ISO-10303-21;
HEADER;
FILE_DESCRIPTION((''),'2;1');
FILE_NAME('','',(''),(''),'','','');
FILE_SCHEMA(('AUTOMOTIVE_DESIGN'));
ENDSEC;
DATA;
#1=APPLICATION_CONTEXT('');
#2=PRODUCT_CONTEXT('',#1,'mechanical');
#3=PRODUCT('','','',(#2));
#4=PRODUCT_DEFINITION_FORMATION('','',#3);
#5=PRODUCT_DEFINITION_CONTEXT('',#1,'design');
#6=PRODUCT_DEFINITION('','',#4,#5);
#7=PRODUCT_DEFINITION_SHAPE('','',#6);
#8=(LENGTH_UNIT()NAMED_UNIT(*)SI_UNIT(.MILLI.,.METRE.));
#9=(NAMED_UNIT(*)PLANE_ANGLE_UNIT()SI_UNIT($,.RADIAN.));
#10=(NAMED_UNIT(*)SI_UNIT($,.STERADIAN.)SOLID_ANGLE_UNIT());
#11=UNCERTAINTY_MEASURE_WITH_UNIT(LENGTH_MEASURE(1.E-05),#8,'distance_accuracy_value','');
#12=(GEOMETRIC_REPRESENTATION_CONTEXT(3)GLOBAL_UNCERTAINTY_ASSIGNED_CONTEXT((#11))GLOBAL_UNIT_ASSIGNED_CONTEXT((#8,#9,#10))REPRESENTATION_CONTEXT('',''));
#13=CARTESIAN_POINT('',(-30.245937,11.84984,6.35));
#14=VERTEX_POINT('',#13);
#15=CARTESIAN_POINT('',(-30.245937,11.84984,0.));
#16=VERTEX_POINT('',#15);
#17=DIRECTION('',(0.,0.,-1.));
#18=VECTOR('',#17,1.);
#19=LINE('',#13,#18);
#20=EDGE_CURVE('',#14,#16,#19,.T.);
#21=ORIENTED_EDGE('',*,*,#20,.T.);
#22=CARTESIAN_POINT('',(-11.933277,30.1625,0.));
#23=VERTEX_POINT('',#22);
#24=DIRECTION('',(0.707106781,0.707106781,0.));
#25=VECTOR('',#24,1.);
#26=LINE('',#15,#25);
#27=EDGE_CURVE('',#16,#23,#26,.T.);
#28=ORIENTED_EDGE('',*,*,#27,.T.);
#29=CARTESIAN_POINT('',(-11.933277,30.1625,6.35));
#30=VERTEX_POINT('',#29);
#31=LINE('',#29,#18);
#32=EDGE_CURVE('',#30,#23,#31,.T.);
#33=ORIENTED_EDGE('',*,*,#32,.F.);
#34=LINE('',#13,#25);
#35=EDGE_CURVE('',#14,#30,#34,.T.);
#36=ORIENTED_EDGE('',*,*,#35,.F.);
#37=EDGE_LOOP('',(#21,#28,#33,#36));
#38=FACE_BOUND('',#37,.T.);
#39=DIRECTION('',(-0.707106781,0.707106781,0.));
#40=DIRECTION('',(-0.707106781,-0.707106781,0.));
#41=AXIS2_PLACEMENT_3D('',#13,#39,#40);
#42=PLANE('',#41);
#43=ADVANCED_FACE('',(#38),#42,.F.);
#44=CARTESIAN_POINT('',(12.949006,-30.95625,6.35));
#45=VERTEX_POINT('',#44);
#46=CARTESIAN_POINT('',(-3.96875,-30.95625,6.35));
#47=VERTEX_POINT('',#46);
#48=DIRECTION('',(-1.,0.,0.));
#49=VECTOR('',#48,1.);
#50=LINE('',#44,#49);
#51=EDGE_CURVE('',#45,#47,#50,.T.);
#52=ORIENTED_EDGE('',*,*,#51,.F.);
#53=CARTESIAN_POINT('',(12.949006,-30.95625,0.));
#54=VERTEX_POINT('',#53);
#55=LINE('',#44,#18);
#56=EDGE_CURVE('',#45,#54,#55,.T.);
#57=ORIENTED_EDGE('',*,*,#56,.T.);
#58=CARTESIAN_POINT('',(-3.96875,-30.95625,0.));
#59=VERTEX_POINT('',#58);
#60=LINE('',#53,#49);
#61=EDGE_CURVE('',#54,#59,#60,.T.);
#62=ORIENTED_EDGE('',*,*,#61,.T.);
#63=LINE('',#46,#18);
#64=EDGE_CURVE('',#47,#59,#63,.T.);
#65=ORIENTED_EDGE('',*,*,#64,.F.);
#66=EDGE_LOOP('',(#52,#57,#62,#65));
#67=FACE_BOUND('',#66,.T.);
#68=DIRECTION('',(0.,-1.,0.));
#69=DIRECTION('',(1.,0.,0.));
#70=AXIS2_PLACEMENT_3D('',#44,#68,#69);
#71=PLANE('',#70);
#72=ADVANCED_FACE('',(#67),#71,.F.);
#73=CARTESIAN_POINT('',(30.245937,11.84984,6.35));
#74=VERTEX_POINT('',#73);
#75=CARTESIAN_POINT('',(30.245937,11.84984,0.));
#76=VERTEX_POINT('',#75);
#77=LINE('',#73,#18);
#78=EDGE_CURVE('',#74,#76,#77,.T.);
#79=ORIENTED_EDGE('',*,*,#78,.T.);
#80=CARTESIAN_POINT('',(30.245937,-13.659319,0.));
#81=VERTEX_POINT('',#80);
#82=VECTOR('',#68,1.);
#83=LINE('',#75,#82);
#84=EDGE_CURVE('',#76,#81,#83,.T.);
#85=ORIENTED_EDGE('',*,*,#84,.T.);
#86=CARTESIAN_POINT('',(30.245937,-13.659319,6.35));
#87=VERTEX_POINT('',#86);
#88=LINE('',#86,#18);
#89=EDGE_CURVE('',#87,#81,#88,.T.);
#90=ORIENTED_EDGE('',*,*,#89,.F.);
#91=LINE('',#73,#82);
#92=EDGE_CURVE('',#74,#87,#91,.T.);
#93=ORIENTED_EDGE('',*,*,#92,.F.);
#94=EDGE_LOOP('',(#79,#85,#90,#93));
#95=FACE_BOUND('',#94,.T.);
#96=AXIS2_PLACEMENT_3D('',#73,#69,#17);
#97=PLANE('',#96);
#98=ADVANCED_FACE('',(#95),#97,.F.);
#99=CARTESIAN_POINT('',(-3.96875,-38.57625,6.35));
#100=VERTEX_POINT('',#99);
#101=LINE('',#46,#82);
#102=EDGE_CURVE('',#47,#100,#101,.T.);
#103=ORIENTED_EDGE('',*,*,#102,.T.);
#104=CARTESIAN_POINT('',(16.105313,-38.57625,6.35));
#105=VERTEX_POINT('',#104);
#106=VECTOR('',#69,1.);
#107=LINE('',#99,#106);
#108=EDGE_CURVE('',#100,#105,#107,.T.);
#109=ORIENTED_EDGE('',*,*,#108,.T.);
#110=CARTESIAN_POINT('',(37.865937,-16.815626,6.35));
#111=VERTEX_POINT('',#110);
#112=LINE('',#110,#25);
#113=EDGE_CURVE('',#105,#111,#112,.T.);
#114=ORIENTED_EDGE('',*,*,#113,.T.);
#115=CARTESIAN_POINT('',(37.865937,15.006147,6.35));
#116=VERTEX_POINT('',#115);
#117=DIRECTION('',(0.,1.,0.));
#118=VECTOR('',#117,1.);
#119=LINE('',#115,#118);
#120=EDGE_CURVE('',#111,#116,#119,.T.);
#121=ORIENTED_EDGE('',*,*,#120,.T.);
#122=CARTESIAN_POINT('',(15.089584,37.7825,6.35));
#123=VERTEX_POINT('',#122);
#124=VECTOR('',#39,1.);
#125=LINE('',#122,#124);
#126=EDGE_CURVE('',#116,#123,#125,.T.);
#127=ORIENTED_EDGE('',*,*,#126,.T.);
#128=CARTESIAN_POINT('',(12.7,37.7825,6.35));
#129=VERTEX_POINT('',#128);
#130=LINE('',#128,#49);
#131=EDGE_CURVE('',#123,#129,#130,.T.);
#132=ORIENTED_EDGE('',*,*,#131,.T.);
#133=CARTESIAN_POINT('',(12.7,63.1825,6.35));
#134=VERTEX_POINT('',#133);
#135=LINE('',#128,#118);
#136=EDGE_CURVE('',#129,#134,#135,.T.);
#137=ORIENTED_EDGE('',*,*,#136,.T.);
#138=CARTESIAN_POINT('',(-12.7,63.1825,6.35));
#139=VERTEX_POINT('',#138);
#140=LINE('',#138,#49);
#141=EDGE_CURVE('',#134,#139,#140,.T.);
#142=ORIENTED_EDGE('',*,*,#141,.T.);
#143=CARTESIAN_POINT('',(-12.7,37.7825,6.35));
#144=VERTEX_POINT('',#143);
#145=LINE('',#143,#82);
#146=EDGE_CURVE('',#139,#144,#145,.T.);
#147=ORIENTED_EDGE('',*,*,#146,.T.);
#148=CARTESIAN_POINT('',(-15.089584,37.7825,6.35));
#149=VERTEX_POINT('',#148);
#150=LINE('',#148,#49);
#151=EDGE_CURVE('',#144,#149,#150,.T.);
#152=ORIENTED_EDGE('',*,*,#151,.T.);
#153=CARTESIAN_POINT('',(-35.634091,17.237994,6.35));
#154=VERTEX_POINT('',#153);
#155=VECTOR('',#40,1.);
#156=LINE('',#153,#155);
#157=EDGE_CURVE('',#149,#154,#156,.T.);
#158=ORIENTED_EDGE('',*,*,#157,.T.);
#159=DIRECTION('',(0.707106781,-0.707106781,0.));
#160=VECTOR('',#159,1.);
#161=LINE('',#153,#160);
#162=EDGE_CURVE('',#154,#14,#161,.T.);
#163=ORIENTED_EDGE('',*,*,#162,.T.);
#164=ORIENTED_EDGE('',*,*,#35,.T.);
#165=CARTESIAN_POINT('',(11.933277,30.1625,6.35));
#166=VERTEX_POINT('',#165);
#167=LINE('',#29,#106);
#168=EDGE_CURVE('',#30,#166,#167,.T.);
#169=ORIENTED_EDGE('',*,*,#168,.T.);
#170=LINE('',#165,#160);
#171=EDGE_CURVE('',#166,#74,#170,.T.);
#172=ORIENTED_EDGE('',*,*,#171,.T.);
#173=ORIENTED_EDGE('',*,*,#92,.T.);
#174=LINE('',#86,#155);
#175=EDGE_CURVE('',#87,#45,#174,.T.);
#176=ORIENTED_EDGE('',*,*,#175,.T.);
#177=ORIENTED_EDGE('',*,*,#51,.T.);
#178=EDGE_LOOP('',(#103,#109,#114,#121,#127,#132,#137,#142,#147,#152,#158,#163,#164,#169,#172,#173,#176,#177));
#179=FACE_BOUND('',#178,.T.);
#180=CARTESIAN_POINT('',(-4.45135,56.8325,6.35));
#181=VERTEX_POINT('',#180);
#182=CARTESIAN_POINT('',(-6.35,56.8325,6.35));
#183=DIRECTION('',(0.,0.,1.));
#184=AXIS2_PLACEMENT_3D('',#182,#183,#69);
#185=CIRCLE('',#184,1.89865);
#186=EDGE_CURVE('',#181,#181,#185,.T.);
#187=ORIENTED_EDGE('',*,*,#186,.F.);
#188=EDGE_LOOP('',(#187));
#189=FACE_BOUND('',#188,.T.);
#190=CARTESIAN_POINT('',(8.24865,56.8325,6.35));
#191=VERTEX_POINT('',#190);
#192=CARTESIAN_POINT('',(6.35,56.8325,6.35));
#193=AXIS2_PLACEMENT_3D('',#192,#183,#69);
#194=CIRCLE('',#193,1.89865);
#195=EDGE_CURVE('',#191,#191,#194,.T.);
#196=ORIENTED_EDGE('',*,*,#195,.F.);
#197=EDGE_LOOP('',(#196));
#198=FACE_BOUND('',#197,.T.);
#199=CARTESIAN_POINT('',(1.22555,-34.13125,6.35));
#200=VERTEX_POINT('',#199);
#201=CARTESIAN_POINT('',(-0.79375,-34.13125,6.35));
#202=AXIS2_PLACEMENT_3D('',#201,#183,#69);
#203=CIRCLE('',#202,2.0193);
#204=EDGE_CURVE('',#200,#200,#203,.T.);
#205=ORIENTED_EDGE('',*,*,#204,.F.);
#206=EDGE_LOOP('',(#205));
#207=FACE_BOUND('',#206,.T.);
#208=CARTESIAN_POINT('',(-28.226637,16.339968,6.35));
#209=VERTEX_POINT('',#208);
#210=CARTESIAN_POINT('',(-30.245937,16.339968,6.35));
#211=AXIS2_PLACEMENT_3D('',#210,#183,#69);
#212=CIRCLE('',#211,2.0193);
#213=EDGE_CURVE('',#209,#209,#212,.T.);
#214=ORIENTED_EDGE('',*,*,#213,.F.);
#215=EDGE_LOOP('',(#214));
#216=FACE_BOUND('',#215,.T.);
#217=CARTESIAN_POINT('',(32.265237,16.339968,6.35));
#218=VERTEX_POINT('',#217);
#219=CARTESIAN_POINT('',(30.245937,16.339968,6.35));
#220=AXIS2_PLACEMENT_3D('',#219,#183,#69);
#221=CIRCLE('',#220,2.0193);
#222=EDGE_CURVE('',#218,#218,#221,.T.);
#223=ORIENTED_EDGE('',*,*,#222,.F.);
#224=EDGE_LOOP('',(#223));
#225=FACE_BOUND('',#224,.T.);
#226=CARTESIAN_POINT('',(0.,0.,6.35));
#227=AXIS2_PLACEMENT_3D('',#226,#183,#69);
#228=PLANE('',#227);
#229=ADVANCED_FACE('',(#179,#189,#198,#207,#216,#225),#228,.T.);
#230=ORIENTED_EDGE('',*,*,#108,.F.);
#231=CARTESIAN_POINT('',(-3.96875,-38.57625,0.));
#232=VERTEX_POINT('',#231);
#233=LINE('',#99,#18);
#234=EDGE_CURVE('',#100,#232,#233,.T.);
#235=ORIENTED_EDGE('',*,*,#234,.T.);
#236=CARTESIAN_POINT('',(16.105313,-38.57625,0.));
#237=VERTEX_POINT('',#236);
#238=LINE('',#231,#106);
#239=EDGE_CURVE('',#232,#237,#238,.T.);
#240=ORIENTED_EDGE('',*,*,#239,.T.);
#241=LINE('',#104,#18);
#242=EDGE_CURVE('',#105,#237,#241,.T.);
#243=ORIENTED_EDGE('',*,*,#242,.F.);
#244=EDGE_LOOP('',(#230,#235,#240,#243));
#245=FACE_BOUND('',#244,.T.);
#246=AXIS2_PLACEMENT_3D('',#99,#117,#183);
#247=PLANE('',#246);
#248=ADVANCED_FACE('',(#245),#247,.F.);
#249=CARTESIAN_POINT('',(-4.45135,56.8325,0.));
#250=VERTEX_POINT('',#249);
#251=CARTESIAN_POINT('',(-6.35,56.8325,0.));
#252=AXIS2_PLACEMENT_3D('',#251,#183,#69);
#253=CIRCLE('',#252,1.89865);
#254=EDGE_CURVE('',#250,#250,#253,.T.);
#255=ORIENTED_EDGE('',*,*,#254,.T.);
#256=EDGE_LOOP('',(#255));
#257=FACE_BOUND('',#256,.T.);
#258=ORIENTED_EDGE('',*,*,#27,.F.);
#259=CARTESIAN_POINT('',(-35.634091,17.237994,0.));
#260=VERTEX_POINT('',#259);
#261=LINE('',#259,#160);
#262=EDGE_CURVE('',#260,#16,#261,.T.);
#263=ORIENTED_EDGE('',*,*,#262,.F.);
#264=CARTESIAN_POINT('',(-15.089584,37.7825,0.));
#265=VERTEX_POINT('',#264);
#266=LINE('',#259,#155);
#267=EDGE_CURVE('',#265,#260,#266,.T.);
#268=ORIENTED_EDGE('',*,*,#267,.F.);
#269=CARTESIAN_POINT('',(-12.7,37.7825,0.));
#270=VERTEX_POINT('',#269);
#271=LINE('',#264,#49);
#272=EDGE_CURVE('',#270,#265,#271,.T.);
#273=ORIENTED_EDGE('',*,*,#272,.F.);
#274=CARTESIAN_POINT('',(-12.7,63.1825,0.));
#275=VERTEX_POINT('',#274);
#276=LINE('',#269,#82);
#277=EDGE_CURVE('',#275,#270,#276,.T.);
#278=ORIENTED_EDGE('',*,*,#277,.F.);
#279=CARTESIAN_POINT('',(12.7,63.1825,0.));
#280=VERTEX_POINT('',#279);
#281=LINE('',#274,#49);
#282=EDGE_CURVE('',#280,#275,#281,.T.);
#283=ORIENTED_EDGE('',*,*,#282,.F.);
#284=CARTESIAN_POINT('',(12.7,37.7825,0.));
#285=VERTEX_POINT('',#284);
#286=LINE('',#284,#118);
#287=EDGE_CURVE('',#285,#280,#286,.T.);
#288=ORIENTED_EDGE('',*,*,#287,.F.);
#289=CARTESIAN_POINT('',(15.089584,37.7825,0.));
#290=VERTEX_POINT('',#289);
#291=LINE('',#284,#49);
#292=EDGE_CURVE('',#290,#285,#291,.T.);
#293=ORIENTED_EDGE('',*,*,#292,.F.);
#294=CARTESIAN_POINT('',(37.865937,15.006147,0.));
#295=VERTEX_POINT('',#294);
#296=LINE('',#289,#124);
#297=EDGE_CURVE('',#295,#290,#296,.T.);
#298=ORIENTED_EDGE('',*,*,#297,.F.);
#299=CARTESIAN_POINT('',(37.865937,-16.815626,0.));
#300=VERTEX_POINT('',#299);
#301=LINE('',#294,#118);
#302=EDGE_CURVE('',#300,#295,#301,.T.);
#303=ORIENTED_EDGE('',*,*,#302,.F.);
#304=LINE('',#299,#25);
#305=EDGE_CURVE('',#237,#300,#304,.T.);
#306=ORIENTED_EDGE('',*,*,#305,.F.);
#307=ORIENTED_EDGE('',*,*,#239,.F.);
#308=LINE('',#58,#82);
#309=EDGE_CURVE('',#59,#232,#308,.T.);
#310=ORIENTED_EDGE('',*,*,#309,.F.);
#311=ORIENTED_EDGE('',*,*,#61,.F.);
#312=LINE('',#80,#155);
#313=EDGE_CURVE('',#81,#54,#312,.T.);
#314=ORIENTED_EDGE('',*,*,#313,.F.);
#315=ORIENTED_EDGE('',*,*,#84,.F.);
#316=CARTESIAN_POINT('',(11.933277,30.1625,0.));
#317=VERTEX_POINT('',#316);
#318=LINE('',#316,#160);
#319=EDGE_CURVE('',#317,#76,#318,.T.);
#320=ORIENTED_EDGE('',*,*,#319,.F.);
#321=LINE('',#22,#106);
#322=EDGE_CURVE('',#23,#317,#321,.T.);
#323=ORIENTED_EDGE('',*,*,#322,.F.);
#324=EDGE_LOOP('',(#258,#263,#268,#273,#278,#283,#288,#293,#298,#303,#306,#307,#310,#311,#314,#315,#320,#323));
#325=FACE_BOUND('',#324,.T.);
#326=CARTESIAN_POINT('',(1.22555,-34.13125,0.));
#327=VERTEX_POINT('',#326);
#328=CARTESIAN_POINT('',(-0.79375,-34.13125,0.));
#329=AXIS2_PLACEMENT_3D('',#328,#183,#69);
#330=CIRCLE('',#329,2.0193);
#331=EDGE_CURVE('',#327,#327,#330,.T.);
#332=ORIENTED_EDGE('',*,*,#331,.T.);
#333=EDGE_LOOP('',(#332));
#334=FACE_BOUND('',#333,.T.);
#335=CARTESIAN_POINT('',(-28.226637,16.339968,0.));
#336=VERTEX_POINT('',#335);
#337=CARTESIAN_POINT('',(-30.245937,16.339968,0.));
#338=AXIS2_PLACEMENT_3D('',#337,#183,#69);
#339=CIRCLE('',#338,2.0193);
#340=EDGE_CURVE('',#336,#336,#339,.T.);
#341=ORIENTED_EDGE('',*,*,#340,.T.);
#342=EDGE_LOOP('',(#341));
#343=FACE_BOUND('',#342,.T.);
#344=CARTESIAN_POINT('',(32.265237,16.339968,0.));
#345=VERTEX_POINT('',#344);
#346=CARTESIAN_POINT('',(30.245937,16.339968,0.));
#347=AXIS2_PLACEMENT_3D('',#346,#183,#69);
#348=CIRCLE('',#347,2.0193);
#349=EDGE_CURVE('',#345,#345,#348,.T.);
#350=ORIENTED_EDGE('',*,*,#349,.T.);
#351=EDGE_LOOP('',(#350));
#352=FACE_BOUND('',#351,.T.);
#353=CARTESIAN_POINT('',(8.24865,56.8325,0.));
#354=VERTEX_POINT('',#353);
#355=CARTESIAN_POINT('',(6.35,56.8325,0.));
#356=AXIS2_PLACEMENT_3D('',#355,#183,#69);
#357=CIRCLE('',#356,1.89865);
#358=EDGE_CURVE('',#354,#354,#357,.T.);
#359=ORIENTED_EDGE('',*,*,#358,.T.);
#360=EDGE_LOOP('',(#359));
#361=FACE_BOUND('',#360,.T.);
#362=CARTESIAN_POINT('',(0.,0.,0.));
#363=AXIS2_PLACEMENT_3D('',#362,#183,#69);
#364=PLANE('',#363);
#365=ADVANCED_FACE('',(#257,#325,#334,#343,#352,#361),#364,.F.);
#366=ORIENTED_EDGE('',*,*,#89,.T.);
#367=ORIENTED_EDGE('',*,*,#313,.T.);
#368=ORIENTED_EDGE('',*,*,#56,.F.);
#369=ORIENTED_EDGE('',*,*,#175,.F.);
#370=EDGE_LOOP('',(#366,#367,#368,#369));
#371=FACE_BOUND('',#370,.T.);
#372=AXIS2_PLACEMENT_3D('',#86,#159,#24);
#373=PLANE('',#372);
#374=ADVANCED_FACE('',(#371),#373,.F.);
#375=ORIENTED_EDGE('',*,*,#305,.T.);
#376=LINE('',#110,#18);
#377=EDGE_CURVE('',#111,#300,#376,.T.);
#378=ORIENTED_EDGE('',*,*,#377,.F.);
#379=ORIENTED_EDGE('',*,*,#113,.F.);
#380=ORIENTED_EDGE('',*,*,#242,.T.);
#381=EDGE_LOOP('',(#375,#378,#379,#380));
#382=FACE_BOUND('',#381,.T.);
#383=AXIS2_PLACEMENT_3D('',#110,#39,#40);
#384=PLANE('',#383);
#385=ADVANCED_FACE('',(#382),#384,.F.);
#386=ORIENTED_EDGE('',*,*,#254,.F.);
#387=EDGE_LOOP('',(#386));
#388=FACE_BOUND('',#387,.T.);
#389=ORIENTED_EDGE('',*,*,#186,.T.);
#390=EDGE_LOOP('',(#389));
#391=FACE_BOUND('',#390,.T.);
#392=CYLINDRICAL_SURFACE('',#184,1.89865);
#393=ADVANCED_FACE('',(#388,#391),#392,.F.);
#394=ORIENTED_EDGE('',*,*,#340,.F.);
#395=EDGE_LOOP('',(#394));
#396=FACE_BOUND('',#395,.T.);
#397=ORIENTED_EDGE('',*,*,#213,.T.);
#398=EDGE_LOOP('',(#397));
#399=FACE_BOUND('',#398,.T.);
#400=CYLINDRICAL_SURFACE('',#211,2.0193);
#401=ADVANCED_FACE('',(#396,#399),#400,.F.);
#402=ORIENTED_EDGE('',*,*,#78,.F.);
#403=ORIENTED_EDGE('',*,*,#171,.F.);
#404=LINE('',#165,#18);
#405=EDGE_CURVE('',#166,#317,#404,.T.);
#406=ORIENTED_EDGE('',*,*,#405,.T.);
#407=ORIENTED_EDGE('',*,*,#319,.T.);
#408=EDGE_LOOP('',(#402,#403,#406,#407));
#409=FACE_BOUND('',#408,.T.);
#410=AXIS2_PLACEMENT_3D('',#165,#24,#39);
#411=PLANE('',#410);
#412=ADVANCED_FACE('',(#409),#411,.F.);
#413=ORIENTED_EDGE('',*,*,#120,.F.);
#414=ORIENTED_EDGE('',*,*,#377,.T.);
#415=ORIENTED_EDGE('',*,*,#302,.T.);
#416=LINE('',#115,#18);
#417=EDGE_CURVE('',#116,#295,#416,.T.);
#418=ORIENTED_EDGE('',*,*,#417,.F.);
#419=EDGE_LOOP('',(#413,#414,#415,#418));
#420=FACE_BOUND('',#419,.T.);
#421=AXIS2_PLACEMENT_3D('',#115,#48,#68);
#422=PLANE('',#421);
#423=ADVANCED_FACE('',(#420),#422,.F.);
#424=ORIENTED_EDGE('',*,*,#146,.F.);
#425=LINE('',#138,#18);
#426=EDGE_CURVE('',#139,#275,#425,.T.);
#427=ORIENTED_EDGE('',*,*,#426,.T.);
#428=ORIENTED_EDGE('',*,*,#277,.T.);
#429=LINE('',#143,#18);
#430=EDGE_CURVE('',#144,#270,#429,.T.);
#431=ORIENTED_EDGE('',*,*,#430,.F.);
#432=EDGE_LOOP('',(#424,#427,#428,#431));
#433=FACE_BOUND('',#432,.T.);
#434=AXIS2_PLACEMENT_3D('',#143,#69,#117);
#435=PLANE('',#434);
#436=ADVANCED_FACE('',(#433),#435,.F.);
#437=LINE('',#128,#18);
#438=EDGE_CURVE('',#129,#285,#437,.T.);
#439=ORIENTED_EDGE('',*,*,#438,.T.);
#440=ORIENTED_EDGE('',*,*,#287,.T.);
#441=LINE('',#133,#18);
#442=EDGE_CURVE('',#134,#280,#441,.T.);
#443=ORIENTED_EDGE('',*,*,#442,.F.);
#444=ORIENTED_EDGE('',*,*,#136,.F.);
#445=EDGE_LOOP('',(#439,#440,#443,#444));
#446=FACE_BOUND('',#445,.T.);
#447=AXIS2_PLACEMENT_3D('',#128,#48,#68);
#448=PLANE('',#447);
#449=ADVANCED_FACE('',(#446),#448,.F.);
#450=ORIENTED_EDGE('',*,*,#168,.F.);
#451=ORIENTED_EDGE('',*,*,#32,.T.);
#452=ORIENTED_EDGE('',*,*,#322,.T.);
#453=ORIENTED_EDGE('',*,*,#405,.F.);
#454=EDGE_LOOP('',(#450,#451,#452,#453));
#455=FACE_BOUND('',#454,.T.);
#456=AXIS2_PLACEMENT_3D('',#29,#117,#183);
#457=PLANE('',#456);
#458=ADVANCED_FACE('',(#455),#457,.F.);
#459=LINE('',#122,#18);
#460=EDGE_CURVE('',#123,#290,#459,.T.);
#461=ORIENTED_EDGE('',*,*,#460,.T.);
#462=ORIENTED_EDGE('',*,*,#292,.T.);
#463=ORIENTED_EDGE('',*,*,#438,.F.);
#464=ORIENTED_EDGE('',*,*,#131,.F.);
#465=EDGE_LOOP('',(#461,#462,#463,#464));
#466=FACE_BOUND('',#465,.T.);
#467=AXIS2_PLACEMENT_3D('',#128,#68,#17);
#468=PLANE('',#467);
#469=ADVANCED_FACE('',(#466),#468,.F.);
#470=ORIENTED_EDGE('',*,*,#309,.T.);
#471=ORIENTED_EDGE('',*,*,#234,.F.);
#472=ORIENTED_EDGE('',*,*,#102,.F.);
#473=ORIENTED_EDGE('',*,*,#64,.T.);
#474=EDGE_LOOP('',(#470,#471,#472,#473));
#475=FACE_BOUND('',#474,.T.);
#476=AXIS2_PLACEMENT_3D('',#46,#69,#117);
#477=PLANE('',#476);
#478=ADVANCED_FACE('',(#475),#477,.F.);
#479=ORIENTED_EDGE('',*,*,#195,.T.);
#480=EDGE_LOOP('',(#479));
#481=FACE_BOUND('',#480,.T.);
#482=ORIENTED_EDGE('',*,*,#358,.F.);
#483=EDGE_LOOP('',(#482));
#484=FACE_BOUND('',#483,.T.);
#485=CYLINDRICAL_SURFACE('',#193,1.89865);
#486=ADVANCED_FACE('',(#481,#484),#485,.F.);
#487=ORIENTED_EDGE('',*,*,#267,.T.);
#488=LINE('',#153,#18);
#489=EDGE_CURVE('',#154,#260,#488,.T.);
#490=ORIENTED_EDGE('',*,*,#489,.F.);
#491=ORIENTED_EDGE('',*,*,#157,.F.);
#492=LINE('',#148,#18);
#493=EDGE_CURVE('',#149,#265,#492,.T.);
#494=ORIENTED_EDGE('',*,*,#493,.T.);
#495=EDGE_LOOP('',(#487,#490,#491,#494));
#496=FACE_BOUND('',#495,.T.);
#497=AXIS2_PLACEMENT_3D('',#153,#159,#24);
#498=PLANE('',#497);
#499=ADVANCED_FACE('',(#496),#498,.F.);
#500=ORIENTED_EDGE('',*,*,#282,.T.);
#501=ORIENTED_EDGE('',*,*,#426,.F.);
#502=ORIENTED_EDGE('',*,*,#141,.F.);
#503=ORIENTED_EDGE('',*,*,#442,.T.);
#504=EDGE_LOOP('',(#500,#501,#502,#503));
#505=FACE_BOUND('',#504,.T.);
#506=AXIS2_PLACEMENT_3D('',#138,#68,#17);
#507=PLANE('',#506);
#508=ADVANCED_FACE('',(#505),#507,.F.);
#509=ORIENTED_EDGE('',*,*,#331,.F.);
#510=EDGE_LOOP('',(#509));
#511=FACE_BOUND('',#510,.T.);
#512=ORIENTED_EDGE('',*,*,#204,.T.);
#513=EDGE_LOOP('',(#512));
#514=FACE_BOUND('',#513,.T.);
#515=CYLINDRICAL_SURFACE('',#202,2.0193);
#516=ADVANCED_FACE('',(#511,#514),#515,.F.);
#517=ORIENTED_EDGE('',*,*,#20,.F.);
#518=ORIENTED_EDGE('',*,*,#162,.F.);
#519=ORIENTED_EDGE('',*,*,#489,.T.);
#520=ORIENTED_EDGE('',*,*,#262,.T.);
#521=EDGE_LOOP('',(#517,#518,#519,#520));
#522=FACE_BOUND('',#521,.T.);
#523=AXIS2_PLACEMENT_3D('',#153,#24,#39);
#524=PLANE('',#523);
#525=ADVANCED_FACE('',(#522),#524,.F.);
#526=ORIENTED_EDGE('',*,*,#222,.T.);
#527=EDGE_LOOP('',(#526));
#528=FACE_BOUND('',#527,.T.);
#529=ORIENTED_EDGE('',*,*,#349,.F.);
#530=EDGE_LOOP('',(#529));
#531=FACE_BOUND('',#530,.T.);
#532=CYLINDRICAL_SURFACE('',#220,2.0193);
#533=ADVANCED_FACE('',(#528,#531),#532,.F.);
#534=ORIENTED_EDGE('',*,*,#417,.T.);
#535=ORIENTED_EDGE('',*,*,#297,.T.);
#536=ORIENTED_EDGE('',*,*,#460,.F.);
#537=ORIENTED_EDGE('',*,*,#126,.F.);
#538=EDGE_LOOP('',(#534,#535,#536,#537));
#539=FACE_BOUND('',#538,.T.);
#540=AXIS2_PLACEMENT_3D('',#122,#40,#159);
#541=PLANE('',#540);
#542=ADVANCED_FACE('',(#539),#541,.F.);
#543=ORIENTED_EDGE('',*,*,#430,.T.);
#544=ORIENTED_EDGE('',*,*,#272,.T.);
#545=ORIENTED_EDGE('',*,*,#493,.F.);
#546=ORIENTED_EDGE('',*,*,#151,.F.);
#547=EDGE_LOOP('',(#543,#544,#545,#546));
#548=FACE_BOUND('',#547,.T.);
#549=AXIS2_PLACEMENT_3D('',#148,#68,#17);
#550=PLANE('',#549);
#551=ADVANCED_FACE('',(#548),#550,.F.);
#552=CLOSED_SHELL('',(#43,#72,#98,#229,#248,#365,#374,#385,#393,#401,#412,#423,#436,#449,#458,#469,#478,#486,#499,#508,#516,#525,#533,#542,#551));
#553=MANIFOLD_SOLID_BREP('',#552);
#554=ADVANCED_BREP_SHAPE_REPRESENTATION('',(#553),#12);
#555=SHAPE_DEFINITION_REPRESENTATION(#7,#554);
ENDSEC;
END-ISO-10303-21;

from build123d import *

# Parameters (mm, degrees)
BOSS_EXTRUDE1_DEPTH    = 6.35
F_10_32_TAPPED_HOLE1_D = 4.0386
F_10_32_TAPPED_HOLE2_D = 4.0386
F_6_CLEARANCE_HOLE1_D  = 3.7973


with BuildPart() as part:
    # Sketch1 → Boss-Extrude1 (new body)
    with BuildSketch(Plane.XY):
        Polygon((-35.6340909, 17.237993597), (-15.089584497, 37.7825), (-12.7, 37.7825), (-12.7, 63.1825), (12.7, 63.1825), (12.7, 37.7825), (15.089584497, 37.7825), (37.865937227, 15.00614727), (37.865937227, -16.815626239), (16.105313466, -38.57625), (-3.96875, -38.57625), (-3.96875, -30.95625), (12.949006121, -30.95625), (30.245937227, -13.659318894), (30.245937227, 11.849839924), (11.933277152, 30.1625), (-11.933277152, 30.1625), (-30.245937227, 11.849839924), align=None)
    extrude(amount=BOSS_EXTRUDE1_DEPTH)

    # #10-32 Tapped Hole1 (through all)
    with Locations(Plane.XY.offset(6.35)):
        with Locations((-30.245937227, 16.339967985)):
            Hole(F_10_32_TAPPED_HOLE1_D / 2)

    # #10-32 Tapped Hole2 (through all)
    with Locations(Plane.XY.offset(6.35)):
        with Locations((30.245937227, 16.339967985), (-0.79375, -34.13125)):
            Hole(F_10_32_TAPPED_HOLE2_D / 2)

    # #6 Clearance Hole1 (through all)
    with Locations(Plane(origin=(-6.35, 56.8325, 6.35), x_dir=(1, 0, 0), z_dir=(0, 0, 1))):
        with Locations((0, 0), (12.7, 0)):
            Hole(F_6_CLEARANCE_HOLE1_D / 2)


solid = part.part
